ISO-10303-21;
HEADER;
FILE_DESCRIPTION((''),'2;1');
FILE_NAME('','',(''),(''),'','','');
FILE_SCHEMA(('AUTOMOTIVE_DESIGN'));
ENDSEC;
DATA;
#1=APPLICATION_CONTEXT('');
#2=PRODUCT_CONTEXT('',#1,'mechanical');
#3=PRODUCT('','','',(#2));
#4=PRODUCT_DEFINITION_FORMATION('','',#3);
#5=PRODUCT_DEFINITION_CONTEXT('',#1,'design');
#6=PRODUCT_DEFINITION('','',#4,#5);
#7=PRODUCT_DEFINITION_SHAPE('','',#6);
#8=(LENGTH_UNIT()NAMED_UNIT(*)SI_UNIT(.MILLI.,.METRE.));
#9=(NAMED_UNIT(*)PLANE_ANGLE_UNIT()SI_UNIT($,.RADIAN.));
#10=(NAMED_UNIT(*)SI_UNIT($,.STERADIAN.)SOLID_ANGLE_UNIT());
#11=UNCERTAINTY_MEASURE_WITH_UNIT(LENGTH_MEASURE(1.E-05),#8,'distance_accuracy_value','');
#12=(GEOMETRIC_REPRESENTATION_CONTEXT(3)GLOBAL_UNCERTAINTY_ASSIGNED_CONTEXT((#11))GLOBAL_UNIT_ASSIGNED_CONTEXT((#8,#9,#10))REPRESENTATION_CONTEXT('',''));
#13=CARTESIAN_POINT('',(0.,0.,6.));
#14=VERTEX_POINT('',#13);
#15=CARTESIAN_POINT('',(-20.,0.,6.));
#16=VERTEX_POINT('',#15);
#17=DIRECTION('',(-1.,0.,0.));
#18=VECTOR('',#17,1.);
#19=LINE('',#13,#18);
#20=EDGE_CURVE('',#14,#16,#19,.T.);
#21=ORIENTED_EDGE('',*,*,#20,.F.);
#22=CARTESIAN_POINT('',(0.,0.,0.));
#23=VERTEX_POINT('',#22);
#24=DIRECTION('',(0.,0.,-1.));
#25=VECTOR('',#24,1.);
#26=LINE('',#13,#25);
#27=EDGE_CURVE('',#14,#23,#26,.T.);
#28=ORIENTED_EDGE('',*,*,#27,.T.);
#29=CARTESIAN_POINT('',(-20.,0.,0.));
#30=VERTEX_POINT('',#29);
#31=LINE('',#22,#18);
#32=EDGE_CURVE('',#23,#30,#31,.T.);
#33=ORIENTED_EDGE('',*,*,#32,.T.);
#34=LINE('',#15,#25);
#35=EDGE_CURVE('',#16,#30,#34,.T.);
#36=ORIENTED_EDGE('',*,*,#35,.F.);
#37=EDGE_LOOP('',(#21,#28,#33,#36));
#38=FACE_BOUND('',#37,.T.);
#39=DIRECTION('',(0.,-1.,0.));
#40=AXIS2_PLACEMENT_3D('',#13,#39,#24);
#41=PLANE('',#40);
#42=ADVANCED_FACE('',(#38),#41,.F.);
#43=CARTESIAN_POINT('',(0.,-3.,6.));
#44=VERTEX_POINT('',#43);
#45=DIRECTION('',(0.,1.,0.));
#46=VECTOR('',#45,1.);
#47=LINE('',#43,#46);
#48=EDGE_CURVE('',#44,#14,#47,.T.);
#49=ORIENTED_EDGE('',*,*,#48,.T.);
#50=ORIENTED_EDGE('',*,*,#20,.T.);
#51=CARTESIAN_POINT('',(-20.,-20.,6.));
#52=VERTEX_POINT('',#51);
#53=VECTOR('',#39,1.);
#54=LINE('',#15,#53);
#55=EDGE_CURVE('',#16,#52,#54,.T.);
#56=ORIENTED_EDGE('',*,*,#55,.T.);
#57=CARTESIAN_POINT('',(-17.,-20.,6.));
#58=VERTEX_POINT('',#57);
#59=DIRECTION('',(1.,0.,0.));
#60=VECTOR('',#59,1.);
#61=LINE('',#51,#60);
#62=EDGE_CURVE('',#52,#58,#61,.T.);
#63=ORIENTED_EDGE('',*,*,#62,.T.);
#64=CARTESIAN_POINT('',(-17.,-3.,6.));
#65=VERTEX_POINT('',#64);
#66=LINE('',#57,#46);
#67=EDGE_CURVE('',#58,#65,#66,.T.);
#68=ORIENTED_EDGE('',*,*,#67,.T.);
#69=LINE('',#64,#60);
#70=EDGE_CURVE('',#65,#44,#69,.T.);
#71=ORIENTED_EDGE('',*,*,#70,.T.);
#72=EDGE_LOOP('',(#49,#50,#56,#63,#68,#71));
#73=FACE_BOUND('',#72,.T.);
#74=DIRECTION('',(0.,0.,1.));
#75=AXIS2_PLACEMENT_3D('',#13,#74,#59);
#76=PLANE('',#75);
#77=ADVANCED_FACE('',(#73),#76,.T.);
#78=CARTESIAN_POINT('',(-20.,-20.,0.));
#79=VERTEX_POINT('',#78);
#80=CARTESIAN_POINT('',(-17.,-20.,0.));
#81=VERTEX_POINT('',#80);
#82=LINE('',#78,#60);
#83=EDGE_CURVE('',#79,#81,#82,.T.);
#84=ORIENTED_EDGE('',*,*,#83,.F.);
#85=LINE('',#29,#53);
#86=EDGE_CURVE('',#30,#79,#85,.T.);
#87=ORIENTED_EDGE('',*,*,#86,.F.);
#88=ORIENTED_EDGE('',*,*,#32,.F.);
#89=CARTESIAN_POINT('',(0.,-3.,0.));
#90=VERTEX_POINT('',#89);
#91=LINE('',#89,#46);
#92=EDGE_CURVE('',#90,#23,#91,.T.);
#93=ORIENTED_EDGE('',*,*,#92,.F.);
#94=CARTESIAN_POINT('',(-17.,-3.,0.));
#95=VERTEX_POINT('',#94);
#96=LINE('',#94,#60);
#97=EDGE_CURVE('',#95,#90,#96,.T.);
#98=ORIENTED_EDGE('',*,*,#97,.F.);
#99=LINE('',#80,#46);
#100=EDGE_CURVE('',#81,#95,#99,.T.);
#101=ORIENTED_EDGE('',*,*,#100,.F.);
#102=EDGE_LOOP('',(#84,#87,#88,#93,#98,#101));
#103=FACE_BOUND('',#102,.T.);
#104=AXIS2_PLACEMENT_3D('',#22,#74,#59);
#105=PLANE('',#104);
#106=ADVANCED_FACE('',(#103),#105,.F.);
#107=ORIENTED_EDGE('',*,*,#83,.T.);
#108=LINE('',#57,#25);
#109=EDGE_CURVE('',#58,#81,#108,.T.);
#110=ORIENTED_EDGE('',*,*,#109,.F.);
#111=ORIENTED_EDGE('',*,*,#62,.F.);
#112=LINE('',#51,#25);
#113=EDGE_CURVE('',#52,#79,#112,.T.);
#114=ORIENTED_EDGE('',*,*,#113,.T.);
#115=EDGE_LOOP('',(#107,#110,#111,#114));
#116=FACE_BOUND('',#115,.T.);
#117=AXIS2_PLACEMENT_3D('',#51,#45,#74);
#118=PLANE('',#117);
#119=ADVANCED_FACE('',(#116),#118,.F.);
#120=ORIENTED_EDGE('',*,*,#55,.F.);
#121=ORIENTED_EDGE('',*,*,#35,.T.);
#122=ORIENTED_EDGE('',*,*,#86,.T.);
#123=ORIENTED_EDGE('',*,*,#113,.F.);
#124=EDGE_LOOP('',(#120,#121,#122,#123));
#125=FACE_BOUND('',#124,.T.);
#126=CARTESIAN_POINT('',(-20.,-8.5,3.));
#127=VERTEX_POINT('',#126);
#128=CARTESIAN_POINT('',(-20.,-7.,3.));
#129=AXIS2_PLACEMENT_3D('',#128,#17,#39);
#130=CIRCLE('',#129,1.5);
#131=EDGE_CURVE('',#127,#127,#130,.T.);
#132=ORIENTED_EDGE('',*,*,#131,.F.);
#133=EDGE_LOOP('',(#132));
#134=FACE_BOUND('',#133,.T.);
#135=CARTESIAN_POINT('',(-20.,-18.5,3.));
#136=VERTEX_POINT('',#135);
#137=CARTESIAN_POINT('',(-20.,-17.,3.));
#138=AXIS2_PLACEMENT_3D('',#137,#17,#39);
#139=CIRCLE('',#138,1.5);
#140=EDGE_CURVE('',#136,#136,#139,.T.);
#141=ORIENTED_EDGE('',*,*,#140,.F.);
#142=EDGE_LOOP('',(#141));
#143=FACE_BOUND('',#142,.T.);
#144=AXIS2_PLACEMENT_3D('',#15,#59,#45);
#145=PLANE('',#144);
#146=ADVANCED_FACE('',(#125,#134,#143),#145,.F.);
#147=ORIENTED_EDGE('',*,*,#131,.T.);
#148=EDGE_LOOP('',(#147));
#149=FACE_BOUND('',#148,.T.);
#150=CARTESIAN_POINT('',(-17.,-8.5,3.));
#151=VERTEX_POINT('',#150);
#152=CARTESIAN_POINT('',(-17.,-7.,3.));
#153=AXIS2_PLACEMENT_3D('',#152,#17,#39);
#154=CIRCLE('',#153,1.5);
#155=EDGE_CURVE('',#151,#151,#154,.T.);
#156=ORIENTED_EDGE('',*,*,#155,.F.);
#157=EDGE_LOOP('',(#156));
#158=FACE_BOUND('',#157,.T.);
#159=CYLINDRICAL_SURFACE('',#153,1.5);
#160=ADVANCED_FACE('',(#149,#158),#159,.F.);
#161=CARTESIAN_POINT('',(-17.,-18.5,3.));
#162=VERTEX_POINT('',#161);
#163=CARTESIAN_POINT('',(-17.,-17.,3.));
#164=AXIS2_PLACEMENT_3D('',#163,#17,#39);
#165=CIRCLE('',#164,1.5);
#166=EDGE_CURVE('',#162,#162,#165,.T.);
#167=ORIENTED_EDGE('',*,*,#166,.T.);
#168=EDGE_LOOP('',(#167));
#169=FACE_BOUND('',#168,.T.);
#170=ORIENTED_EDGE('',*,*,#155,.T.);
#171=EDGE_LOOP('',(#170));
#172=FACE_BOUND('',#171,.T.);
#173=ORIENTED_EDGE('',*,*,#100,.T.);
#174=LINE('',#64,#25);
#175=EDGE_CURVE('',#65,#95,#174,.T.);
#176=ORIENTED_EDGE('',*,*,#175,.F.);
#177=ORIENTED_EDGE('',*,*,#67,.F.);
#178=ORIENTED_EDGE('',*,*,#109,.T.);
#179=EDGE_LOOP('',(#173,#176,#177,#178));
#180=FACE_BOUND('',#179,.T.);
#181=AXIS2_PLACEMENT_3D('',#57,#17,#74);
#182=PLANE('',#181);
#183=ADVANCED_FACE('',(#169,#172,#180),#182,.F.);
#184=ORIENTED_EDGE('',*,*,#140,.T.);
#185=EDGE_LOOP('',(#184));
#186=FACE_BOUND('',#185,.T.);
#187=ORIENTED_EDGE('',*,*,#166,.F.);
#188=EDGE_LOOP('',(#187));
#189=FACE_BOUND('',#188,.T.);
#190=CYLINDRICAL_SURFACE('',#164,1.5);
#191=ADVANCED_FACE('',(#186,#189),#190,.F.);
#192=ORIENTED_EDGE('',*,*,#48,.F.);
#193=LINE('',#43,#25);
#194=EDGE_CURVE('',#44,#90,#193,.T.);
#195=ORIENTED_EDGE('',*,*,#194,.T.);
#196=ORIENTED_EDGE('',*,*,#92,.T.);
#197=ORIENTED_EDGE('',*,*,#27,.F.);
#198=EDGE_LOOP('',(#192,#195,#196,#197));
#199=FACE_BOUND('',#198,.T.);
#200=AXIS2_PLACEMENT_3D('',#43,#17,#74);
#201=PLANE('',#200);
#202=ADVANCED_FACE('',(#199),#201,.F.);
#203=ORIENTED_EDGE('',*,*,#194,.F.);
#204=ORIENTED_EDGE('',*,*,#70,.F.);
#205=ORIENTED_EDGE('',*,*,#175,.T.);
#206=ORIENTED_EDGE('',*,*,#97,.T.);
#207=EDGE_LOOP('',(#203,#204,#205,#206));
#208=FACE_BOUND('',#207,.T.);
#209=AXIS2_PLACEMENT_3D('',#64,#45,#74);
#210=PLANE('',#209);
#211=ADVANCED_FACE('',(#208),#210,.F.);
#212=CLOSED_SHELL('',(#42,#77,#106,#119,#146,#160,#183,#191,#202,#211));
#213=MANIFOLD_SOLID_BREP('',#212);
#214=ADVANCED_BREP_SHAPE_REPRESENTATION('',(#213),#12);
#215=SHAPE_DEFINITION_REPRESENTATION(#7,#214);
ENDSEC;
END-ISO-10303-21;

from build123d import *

# Parameters (mm, degrees)
BOSS_EXTRUDE1_DEPTH = 6
SKETCH4_R           = 1.5
CUT_EXTRUDE1_DEPTH  = 3


with BuildPart() as part:
    # Sketch1 → Boss-Extrude1 (new body)
    with BuildSketch(Plane.XY):
        Polygon((0, 0), (-20, 0), (-20, -20), (-17, -20), (-17, -3), (0, -3), align=None)
    extrude(amount=BOSS_EXTRUDE1_DEPTH)

    # Sketch4 → Cut-Extrude1 (cut)
    with BuildSketch(Plane.ZY.offset(20)):
        with Locations((3, -7)):
            Circle(SKETCH4_R)
        with Locations((3, -17)):
            Circle(SKETCH4_R)
    extrude(amount=-CUT_EXTRUDE1_DEPTH, mode=Mode.SUBTRACT)


solid = part.part
